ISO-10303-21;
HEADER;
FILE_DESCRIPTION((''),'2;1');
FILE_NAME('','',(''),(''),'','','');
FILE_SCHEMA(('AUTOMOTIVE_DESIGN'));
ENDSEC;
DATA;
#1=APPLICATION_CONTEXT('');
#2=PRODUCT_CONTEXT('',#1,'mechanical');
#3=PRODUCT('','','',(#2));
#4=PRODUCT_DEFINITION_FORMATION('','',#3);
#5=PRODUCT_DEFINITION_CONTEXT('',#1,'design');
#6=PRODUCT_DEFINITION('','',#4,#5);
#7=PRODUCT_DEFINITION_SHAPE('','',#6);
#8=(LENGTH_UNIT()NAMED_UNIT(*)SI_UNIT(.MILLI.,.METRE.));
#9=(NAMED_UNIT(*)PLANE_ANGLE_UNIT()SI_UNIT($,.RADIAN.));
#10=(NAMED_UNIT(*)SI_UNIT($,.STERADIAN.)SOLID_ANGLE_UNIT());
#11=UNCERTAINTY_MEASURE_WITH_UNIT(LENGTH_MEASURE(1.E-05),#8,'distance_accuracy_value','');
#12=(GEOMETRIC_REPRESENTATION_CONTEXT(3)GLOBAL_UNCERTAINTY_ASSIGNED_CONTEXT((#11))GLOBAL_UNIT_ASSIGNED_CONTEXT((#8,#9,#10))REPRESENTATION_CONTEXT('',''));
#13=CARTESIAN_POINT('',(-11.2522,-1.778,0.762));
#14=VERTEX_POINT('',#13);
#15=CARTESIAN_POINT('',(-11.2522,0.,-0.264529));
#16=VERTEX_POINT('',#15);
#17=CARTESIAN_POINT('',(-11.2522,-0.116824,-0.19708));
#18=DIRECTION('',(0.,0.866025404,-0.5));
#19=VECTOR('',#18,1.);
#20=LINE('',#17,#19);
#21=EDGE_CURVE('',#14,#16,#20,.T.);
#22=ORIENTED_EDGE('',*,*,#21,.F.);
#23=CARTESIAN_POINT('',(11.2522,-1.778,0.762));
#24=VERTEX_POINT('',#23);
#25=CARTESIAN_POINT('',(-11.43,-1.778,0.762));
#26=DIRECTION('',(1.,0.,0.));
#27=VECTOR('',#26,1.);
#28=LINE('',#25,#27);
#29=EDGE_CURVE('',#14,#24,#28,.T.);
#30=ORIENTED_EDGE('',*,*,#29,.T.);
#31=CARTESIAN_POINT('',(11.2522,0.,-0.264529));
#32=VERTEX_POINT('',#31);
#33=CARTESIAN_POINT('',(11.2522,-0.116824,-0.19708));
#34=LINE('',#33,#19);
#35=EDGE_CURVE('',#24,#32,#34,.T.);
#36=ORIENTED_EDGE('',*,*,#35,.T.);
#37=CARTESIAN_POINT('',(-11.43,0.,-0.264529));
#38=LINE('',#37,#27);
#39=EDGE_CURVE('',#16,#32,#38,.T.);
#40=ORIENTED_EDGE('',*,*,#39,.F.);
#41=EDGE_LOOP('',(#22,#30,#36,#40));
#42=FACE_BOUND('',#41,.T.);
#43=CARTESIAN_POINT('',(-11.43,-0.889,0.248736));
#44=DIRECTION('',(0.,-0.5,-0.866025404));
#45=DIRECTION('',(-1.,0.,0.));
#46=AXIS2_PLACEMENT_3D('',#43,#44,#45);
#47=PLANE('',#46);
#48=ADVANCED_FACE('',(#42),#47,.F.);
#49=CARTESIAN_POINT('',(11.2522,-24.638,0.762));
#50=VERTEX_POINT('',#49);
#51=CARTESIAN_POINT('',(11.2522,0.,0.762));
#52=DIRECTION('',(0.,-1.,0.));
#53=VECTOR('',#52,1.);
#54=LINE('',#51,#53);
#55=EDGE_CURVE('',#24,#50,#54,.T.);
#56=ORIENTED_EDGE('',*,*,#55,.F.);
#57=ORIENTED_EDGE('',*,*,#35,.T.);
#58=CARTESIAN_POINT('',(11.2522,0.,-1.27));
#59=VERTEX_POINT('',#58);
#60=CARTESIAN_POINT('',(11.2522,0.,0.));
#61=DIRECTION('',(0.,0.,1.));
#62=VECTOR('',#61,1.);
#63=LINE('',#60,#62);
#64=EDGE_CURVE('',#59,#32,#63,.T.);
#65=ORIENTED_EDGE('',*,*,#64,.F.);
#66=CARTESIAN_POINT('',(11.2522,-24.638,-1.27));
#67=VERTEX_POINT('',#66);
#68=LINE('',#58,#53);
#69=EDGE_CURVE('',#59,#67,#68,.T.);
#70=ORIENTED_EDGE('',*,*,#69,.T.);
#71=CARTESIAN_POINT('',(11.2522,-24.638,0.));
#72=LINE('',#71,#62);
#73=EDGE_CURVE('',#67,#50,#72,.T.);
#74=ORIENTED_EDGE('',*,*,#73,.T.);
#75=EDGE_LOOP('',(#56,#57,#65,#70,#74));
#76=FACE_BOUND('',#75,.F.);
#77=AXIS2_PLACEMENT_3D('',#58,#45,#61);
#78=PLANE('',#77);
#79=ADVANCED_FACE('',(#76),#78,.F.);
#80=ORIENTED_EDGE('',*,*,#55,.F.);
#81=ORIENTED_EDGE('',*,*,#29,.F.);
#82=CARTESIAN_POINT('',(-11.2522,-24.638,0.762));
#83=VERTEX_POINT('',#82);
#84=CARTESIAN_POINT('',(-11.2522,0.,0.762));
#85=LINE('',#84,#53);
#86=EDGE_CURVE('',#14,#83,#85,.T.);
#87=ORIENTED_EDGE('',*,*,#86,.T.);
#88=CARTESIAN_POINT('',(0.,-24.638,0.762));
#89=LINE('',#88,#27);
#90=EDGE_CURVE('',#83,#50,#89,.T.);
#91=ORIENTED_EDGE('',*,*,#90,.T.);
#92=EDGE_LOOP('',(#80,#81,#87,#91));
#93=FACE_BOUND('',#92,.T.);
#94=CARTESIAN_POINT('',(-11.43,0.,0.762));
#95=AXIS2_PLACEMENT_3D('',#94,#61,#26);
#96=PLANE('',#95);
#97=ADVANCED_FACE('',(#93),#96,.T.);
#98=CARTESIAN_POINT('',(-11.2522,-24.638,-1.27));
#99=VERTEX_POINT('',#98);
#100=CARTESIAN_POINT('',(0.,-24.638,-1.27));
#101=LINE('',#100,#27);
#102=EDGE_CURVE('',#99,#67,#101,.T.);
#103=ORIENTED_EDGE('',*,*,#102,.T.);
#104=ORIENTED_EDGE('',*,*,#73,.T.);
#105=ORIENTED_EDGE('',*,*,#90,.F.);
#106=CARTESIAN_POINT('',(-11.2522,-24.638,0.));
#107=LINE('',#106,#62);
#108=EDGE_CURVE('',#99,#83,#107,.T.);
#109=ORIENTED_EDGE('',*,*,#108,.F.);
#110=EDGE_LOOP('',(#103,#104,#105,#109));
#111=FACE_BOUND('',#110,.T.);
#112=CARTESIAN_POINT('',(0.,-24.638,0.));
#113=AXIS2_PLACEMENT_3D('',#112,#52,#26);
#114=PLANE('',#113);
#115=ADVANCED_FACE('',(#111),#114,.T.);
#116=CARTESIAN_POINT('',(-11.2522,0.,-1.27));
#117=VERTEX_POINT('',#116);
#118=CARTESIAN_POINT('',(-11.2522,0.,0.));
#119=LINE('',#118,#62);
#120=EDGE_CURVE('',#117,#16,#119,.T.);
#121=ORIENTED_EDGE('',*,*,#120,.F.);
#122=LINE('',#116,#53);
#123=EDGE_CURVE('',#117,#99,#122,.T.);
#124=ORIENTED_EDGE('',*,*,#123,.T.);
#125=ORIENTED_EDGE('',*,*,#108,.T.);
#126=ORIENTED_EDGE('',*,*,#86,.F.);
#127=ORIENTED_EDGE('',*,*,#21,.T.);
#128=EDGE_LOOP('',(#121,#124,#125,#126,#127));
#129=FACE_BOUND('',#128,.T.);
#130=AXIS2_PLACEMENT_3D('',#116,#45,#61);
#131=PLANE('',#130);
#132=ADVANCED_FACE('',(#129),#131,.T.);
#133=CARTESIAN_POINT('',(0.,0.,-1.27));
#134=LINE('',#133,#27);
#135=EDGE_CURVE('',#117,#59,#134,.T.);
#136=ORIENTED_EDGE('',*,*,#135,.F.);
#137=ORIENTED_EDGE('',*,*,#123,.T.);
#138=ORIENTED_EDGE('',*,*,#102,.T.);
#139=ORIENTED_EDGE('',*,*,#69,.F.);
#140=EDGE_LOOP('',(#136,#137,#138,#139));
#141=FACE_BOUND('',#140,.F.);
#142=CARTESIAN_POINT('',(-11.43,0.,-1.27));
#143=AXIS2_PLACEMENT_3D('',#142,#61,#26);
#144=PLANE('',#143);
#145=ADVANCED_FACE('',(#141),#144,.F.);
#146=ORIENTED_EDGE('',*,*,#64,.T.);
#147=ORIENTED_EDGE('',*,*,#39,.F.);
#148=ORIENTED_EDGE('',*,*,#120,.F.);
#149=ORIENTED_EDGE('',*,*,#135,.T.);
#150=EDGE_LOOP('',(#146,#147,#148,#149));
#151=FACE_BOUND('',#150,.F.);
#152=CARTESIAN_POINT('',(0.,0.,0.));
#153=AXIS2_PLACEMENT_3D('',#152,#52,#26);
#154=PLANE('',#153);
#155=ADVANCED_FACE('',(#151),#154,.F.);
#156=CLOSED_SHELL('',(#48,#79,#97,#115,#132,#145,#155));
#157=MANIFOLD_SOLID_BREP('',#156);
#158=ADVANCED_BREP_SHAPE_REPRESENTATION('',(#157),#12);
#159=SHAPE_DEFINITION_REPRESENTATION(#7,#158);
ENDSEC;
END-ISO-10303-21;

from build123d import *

# Parameters (mm, degrees)
F0_W     = 22.86
F0_H     = 2.54
F1_DEPTH = 24.638
F2_SIZE2 = 1.0265287786
F2_SIZE  = 1.778
F3_DEPTH = 0.508
F4_DEPTH = 0.1778
F5_DEPTH = 0.1778


with BuildPart() as f1:
    # F0 (on Front) → F1 (new body)
    with BuildSketch(Plane.XZ):
        Rectangle(F0_W, F0_H)
    extrude(amount=F1_DEPTH)

    # F2
    f2_edges = [f1.edges().sort_by_distance(p)[0] for p in [
        (0, 0, 1.27),
    ]]
    f2_side = f1.faces().sort_by_distance((0, -12.319, 1.27))[0]
    chamfer(f2_edges, length=F2_SIZE, length2=F2_SIZE2, reference=f2_side)

    # F3 (cut): faces of the model
    f3_faces = [f1.faces().sort_by_distance(p)[0] for p in [
        (0, -13.208, 1.27),
        (0, -0.889, 0.7567356107),
    ]]
    extrude(f3_faces, amount=-F3_DEPTH, dir=(0, 0, 1), mode=Mode.SUBTRACT)

    # F4 (cut): a face of the model
    f4_faces = [f1.faces().sort_by_distance(p)[0] for p in [
        (-11.43, -12.5367185417, -0.2665106389),
    ]]
    extrude(f4_faces, amount=-F4_DEPTH, mode=Mode.SUBTRACT)

    # F5 (cut): a face of the model
    f5_faces = [f1.faces().sort_by_distance(p)[0] for p in [
        (11.43, -12.5367185417, -0.2665106389),
    ]]
    extrude(f5_faces, amount=-F5_DEPTH, mode=Mode.SUBTRACT)


solid = f1.part
